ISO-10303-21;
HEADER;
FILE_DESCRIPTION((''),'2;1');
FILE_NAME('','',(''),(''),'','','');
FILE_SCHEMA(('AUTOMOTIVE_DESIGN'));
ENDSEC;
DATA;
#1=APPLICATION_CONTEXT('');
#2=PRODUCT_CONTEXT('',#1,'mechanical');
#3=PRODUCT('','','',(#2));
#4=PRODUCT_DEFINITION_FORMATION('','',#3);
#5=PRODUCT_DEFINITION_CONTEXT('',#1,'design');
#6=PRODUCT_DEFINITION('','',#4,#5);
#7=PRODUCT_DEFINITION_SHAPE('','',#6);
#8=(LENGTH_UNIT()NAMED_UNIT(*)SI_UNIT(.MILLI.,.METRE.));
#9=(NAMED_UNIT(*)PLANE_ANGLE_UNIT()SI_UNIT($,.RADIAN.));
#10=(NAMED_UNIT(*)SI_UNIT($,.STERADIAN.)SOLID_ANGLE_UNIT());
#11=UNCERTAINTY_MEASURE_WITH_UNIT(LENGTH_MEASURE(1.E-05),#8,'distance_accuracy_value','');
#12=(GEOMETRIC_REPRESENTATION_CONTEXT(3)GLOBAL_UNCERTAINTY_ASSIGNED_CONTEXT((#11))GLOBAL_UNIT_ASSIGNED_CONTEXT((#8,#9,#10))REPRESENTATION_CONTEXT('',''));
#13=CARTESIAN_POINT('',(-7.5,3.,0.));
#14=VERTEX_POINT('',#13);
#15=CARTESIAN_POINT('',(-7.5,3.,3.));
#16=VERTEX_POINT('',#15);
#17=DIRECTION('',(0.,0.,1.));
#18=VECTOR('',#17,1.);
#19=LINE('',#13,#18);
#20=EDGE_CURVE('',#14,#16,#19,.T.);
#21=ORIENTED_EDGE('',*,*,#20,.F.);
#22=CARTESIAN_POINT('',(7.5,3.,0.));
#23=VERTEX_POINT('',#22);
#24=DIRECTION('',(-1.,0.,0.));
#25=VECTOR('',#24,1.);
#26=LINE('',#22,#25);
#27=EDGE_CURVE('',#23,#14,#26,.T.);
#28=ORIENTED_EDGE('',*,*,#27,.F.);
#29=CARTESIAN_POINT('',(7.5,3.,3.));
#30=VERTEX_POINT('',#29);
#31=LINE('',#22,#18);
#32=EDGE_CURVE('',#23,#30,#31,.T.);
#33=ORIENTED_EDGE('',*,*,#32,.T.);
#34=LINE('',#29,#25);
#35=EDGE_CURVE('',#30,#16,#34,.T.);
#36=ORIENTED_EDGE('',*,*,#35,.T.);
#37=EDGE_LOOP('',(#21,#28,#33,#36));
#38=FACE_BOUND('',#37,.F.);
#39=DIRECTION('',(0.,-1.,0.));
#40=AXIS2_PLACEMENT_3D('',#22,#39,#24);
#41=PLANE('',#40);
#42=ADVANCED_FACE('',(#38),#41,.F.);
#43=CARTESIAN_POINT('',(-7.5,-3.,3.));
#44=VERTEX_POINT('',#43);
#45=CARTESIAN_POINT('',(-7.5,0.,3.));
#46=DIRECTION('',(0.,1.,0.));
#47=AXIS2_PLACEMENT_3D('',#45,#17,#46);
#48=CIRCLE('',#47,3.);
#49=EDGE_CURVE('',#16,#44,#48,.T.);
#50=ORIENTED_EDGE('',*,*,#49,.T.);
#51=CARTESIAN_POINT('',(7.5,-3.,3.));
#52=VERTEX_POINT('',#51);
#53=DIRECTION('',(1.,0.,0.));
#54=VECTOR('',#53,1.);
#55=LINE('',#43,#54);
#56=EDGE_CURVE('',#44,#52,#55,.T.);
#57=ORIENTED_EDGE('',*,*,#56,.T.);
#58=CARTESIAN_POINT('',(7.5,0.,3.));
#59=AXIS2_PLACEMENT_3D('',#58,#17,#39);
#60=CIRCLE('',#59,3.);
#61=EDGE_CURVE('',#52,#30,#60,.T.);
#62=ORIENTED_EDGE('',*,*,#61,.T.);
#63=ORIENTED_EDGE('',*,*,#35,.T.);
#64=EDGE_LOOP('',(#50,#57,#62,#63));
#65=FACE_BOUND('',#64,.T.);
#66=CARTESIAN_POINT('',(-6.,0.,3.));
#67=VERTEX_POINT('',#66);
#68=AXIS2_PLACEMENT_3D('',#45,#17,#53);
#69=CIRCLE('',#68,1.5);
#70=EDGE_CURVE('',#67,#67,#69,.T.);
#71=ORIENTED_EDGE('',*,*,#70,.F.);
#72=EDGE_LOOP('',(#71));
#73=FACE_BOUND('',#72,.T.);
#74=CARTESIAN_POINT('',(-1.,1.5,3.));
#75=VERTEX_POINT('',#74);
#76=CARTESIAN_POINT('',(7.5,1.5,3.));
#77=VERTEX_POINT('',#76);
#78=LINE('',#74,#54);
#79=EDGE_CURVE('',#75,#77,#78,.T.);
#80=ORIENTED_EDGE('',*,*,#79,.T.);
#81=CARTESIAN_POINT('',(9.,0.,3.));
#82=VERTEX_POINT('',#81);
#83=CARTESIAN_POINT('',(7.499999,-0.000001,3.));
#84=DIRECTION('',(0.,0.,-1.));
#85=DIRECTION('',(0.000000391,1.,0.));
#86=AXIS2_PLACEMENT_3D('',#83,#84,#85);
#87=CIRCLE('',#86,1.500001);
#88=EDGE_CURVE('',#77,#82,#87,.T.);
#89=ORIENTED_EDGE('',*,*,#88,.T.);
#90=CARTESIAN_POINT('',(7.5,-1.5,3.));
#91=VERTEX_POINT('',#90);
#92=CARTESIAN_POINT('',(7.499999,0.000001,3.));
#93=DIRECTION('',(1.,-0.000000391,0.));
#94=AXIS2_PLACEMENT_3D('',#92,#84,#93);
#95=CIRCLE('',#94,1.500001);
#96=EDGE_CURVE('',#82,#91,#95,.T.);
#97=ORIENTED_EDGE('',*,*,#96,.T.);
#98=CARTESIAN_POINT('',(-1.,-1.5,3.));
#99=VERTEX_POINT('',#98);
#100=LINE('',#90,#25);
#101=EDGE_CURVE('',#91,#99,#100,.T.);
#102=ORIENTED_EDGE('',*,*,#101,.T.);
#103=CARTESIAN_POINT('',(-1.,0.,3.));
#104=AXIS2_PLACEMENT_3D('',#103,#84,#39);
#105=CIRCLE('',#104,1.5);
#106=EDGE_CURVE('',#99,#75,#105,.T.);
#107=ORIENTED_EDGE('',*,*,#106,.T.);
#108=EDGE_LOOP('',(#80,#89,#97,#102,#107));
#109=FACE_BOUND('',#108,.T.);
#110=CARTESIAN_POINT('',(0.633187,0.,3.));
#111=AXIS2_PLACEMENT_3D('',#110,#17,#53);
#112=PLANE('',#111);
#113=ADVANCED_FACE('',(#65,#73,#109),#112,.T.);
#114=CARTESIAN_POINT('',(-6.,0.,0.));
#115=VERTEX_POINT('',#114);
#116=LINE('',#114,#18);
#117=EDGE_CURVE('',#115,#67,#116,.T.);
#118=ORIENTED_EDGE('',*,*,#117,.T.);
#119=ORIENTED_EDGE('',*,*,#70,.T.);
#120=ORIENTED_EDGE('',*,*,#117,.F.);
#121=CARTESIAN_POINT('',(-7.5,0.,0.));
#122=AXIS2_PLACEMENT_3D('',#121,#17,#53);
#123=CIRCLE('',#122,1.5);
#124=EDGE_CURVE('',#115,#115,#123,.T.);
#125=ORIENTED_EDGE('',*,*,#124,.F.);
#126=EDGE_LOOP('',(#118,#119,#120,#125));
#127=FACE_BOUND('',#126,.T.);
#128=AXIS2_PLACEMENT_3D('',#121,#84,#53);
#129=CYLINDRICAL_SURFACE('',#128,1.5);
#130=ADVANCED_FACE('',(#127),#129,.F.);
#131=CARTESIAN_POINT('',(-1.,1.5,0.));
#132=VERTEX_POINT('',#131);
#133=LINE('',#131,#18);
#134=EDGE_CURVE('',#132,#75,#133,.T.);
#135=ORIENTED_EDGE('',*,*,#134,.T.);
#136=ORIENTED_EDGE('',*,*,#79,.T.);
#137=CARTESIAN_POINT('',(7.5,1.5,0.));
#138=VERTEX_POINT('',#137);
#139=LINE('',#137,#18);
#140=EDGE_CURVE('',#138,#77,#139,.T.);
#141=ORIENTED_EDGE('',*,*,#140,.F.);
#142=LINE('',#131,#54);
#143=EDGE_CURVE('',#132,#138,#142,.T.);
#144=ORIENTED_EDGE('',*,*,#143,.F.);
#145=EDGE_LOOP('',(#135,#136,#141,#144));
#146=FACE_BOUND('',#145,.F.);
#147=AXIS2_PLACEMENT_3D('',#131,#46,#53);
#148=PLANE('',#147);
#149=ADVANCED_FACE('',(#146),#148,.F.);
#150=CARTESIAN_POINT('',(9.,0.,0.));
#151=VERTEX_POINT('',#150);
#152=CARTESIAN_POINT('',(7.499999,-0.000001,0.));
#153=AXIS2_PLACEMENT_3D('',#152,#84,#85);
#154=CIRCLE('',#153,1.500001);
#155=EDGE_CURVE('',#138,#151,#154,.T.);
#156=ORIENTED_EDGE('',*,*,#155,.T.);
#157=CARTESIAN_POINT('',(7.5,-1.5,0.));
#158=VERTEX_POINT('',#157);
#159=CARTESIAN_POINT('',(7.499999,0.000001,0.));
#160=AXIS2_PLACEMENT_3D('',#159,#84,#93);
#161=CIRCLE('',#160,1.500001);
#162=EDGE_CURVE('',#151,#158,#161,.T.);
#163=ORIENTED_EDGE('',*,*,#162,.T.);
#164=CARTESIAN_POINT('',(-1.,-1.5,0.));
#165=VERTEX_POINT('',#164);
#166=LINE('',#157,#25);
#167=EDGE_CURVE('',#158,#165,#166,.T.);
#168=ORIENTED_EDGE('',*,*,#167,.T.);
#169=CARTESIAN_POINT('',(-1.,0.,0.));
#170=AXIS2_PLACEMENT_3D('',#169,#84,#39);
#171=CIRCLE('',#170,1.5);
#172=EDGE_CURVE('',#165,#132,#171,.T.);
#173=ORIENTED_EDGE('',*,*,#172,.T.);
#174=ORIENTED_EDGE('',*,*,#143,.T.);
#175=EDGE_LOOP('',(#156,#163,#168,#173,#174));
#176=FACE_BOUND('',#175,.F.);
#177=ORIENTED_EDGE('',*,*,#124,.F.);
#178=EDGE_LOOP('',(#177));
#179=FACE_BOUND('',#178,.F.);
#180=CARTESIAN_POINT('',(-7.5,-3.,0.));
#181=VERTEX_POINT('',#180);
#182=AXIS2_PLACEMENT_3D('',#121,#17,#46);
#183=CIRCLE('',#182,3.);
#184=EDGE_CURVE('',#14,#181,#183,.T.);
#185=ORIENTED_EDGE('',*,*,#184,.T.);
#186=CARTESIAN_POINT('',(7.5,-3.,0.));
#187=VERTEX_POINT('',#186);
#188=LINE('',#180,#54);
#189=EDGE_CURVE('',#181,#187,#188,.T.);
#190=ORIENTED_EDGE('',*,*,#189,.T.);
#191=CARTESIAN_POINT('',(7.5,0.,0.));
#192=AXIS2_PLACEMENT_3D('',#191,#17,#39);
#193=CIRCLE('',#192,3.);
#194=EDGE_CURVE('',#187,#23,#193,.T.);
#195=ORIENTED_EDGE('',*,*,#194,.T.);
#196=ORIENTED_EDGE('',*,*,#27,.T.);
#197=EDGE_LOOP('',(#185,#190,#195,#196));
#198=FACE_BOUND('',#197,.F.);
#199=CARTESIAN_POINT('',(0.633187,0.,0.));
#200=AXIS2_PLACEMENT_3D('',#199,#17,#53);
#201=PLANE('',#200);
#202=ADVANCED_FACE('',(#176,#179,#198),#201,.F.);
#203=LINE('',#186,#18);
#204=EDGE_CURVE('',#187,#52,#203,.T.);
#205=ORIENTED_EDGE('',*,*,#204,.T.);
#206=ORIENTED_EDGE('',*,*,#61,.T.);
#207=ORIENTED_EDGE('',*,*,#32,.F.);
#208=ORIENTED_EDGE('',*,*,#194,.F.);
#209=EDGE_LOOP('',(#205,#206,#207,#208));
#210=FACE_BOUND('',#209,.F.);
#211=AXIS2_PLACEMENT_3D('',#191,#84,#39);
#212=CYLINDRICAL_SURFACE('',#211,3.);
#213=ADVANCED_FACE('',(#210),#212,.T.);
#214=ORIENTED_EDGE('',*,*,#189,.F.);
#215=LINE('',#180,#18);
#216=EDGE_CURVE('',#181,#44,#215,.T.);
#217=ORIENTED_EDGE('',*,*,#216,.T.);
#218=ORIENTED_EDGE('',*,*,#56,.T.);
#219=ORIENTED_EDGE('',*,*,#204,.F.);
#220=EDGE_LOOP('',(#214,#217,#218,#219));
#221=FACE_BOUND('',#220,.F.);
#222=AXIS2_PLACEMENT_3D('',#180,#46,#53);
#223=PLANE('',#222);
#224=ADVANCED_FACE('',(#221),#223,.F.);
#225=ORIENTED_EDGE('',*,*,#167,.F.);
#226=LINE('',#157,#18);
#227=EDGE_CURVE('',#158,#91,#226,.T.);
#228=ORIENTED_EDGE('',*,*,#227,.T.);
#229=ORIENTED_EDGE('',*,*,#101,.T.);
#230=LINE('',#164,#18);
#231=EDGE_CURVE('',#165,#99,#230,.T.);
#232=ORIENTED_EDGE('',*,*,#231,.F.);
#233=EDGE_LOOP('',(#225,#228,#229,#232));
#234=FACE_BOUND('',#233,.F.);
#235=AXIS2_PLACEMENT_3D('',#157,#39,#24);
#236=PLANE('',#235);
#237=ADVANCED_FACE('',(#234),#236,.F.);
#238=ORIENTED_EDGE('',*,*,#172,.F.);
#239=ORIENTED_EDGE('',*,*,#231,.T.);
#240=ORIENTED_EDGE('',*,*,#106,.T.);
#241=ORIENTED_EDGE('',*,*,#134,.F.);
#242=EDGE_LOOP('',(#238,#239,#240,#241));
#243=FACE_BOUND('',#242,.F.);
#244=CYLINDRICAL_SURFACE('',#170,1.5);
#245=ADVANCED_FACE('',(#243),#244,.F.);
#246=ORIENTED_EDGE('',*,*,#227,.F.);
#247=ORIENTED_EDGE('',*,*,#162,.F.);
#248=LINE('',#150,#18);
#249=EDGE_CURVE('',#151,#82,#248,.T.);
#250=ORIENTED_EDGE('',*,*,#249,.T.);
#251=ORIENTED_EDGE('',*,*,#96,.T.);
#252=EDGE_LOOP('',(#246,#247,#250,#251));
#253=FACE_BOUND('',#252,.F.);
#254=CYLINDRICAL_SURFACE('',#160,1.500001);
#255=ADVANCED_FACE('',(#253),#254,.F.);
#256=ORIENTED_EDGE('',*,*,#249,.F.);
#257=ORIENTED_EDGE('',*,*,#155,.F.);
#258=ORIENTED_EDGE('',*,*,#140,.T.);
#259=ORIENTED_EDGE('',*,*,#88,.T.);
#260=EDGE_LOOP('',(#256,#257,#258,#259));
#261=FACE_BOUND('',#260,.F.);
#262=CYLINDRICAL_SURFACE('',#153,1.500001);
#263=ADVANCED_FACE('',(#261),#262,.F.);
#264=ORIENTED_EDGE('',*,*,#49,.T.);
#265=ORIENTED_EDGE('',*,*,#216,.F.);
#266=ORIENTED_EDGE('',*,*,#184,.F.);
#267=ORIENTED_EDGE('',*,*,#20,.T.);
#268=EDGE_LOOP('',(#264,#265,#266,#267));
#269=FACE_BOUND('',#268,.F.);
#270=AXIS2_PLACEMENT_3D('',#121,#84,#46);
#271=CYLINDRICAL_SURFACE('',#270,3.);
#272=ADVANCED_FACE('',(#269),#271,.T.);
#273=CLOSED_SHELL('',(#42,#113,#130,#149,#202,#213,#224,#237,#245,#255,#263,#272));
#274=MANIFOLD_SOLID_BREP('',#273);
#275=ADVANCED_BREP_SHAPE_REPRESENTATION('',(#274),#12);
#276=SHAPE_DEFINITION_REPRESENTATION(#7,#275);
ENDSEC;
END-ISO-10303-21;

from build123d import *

# Parameters (mm, degrees)
F0_R     = 1.5
F1_DEPTH = 3


with BuildPart() as f1:
    # F0 (on Top) → F1 (new body)
    with BuildSketch(Plane.XY):
        with BuildLine():
            Line((7.5, 3), (0, 3))
            Line((0, 3), (-7.5, 3))
            ThreePointArc((-7.5, 3), (-5.37868, 2.12132), (-4.5, 0))
            ThreePointArc((-4.5, 0), (-5.37868, -2.12132), (-7.5, -3))
            Line((-7.5, -3), (0, -3))
            Line((0, -3), (7.5, -3))
            ThreePointArc((7.5, -3), (10.5, 0), (7.5, 3))
        make_face()
        with BuildLine():
            ThreePointArc((-1, -1.5), (-2.5, 0), (-1, 1.5))
            Line((-1, 1.5), (7.5, 1.5))
            ThreePointArc((7.5, 1.5), (8.56066, 1.06066), (9, 0))
            ThreePointArc((9, 0), (8.56066, -1.06066), (7.5, -1.5))
            Line((7.5, -1.5), (-1, -1.5))
        make_face(mode=Mode.SUBTRACT)
        with BuildLine():
            ThreePointArc((-4.5, 0), (-5.37868, 2.12132), (-7.5, 3))
            ThreePointArc((-7.5, 3), (-10.5, 0), (-7.5, -3))
            ThreePointArc((-7.5, -3), (-5.37868, -2.12132), (-4.5, 0))
        make_face()
        with Locations((-7.5, 0)):
            Circle(F0_R, mode=Mode.SUBTRACT)
    extrude(amount=F1_DEPTH)


solid = f1.part
